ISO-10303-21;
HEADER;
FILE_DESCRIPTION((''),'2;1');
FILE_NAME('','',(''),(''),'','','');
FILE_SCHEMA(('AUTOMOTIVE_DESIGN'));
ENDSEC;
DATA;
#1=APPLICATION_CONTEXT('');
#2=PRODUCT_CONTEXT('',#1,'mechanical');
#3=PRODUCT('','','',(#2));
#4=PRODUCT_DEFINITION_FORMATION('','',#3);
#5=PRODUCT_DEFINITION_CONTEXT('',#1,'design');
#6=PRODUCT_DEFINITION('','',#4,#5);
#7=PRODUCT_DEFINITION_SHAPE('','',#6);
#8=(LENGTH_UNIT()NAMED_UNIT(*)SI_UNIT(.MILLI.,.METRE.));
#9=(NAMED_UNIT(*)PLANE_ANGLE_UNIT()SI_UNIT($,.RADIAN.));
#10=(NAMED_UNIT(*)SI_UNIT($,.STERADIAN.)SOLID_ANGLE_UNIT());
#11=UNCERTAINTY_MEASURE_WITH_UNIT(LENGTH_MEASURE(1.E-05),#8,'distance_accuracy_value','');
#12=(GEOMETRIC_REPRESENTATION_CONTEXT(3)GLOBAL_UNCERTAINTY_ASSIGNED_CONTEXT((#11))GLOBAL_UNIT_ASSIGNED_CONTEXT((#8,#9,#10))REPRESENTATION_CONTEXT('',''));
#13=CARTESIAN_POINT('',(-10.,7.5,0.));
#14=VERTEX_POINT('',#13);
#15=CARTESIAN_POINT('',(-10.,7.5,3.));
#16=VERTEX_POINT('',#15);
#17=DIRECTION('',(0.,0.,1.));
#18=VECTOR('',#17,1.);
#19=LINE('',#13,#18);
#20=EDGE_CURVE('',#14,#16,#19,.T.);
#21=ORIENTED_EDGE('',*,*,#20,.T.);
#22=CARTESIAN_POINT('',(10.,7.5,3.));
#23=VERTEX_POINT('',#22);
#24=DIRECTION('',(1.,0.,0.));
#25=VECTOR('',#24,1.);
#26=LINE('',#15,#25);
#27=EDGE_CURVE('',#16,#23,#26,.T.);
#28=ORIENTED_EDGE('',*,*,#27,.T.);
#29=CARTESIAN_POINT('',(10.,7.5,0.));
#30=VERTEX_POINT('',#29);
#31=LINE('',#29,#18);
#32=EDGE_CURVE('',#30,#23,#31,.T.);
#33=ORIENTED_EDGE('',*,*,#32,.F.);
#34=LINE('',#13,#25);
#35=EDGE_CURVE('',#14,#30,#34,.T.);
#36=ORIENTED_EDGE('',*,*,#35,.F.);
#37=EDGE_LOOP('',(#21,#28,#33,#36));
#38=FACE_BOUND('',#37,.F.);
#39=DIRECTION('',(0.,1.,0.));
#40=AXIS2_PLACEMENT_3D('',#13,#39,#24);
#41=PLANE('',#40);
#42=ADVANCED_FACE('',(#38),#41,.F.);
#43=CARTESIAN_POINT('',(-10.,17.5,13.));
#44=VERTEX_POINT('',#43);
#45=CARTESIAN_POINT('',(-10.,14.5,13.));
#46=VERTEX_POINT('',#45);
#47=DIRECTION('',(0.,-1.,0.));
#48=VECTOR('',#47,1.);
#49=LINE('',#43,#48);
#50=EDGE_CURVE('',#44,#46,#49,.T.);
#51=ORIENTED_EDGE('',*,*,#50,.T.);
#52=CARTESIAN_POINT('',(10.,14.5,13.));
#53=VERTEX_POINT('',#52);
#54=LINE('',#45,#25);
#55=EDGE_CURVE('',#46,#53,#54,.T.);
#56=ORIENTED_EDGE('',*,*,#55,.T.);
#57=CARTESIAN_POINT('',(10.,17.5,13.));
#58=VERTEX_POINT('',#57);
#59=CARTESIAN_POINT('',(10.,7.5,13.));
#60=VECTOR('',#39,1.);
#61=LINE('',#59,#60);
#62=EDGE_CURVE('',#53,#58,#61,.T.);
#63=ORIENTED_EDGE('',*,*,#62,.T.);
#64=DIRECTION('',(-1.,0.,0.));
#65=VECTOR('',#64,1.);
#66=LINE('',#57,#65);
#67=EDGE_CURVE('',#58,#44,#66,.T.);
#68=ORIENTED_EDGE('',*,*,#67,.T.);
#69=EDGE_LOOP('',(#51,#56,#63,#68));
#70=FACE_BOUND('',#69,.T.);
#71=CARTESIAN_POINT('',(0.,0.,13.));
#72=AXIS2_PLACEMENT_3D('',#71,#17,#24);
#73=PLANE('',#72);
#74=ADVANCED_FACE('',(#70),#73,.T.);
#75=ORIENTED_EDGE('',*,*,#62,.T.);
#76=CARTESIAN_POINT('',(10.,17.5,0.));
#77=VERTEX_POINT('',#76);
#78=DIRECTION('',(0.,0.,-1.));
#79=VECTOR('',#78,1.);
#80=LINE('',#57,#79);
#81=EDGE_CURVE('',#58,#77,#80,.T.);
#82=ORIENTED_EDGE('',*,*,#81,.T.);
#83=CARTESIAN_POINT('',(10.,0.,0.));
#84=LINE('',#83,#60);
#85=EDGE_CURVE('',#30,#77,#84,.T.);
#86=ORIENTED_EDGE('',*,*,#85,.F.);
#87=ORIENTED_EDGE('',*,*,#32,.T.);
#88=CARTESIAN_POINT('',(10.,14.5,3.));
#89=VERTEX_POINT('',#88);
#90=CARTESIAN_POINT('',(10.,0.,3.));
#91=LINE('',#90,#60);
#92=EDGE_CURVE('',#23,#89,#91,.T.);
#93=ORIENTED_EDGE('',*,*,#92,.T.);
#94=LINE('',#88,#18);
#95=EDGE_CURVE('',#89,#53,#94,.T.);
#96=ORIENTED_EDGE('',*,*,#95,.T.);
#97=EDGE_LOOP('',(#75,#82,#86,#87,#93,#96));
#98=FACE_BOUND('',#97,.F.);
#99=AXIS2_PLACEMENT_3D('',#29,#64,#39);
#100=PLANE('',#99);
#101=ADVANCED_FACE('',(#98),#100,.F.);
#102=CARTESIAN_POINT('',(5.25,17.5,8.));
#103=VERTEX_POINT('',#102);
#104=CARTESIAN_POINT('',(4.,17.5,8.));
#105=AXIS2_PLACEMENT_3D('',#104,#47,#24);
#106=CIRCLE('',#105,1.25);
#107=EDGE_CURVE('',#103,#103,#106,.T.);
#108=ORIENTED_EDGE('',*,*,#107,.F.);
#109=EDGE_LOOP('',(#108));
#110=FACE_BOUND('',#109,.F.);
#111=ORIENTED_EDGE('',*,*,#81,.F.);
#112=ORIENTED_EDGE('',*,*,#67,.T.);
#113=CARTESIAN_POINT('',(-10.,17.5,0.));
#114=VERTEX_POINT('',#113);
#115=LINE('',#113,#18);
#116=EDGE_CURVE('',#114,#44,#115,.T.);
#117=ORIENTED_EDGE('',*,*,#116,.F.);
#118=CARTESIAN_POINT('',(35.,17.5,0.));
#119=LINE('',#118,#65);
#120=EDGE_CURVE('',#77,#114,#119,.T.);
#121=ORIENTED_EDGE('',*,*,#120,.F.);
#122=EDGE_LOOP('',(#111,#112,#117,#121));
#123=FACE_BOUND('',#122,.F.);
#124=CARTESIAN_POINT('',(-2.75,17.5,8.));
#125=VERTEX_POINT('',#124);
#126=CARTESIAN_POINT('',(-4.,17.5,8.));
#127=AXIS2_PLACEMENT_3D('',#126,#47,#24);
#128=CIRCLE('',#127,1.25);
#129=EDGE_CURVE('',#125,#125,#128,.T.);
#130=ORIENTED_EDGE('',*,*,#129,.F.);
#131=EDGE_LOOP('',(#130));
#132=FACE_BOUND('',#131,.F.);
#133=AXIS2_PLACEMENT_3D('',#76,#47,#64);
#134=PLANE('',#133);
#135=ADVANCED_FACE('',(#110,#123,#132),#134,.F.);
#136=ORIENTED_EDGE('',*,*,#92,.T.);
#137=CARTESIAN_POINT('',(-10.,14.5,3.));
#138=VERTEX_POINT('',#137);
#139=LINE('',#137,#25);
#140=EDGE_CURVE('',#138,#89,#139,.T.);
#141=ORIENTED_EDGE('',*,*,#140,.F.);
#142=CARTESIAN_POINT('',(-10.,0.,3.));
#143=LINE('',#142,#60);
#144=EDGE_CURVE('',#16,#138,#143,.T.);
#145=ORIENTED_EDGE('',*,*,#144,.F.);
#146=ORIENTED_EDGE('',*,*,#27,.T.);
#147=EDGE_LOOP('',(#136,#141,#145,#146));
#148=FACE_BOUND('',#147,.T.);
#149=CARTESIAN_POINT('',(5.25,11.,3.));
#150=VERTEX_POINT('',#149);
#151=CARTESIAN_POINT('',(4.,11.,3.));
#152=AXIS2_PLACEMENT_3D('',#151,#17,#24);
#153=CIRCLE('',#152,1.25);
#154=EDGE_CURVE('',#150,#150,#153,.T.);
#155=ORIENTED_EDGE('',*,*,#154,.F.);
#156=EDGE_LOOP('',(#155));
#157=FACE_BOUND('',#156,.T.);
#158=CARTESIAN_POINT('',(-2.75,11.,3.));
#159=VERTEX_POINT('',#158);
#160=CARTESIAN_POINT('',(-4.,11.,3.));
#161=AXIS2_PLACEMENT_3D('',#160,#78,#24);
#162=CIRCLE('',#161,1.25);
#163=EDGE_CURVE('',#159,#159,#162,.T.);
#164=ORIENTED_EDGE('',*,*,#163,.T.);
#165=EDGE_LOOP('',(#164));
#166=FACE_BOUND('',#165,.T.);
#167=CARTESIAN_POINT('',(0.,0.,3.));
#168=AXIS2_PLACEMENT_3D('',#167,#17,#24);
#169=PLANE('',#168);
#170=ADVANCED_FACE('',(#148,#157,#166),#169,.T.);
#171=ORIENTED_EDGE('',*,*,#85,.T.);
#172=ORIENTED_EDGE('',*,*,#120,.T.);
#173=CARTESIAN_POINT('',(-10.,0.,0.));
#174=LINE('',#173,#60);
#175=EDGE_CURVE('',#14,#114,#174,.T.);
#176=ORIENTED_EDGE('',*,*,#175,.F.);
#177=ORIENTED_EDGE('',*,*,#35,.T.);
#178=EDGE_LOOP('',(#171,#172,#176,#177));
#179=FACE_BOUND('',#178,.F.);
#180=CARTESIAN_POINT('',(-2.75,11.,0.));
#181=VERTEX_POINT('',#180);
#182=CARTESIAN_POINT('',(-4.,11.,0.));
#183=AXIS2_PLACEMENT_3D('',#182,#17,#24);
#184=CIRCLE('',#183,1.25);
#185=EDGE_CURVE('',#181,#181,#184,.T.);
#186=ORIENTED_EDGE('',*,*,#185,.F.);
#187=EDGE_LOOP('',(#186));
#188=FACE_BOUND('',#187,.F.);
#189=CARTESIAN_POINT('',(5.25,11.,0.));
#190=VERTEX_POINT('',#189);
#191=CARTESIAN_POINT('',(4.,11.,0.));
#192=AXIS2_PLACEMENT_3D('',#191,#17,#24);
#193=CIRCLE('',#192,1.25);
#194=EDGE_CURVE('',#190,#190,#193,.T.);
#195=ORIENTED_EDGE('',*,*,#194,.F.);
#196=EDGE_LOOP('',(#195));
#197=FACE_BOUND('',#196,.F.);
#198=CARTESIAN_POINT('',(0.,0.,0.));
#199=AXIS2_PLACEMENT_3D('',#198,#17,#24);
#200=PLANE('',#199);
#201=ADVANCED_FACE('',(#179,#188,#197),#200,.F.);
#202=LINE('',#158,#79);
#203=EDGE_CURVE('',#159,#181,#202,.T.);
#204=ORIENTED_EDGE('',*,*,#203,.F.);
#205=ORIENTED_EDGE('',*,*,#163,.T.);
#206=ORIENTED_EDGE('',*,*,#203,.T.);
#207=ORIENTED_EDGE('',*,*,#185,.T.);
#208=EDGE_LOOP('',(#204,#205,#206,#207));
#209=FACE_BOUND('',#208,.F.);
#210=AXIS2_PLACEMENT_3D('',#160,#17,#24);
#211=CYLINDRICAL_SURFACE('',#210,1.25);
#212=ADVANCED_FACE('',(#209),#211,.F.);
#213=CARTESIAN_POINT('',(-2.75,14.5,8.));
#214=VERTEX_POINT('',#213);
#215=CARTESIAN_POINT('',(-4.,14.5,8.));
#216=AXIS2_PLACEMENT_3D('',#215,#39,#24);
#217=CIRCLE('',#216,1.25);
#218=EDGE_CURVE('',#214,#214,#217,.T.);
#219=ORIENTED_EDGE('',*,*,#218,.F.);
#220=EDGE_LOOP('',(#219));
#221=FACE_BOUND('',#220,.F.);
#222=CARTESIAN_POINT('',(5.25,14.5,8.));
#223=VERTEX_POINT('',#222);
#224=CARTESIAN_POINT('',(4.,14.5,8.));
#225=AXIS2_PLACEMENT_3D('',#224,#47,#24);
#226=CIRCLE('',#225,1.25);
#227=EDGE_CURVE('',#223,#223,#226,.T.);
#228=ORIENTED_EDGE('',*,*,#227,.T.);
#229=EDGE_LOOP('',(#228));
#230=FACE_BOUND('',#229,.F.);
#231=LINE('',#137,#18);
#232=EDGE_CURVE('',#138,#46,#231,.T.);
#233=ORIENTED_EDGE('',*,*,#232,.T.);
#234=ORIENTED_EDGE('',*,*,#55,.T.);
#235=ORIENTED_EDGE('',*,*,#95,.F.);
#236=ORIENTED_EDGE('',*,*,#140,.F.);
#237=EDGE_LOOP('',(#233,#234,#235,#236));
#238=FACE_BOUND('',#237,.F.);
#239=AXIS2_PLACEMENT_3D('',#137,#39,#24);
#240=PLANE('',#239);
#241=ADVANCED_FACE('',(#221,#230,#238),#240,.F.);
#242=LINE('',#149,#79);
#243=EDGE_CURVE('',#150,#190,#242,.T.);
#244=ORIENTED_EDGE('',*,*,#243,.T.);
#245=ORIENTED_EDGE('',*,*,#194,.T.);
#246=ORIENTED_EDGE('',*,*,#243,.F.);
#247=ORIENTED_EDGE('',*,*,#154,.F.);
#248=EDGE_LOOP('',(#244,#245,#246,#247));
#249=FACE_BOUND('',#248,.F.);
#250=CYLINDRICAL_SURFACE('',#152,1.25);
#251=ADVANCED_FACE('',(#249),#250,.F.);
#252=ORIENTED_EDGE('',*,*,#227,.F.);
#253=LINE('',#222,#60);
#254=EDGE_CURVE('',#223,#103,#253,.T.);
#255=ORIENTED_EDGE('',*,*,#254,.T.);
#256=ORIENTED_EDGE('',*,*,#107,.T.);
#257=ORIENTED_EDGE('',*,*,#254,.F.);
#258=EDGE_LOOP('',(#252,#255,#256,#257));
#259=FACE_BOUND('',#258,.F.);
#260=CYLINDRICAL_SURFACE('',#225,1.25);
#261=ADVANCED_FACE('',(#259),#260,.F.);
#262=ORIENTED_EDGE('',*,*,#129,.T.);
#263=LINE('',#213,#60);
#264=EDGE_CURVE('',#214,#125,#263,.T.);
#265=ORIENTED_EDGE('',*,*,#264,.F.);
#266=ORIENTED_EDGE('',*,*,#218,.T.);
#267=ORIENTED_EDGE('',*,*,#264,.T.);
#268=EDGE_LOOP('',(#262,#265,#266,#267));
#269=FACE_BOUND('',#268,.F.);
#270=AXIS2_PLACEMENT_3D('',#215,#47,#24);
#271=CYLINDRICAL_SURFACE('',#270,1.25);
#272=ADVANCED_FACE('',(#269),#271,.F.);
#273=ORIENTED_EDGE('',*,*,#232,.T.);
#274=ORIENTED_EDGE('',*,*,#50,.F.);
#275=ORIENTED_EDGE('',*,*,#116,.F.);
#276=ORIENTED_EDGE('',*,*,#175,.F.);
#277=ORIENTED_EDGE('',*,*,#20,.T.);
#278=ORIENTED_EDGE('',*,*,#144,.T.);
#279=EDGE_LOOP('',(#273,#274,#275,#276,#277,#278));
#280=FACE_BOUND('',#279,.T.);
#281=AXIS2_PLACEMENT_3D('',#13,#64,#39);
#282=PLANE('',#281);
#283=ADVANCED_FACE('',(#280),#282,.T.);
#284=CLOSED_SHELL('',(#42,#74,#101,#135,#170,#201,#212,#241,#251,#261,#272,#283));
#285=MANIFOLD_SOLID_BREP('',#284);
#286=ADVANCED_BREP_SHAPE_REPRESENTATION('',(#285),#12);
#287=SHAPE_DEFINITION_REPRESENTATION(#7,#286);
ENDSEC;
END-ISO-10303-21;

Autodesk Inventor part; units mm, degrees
ref_plane "YZ Plane" through (0, 0, 0) normal (1, 0, 0) x (0, 1, 0)
ref_plane "XZ Plane" through (0, 0, 0) normal (0, 1, 0) x (-1, 0, 0)
ref_plane "XY Plane" through (0, 0, 0) normal (0, 0, 1) x (1, 0, 0)
ref_plane "작업 평면1" through (0, 0, 0) normal (0, 0, 1) x (1, 0, 0)
sketch "스케치1" plane through (0, 0, 0) normal (0, 0, 1) x (1, 0, 0)
  line L0 (-35, -17.5) -> (35, -17.5) projected
  line L1 (35, -17.5) -> (35, 17.5) projected
  line L2 (35, 17.5) -> (-35, 17.5) projected
  line L3 (-35, 17.5) -> (-35, -17.5) projected
  line L4 (35, -17.5) -> (-35, -17.5) projected
  line L5 (-35, -17.5) -> (-35, -23.5) projected
  line L6 (35, -23.5) -> (-35, -23.5) projected
  line L7 (35, -17.5) -> (35, -23.5) projected
  line L8 (35, 0) -> (10, 0)
  line L9 (-35, 0) -> (-10, 0)
  line L10 (10, 0) -> (-10, 0)
  line L11 (10, 0) -> (10, 17.5)
  line L12 (-10, 0) -> (-10, 17.5)
  line L13 (10, 17.5) -> (-10, 17.5)
  line L14 (-10, 17.5) -> (-10, 7.5)
  line L15 (-10, 7.5) -> (10, 7.5)
  line L16 (10, 7.5) -> (10, 17.5)
  point P0 (0, 0)
  dimension "d0" = 25
  dimension "d1" = 25
  dimension "d2" = 20
  dimension "d3" = 10
extrude "돌출1" add sketch "스케치1" along normal blind 3 contours L2 L11 L15 L12
sketch "스케치2" plane through (0, 0, 3) normal (0, 0, 1) x (1, 0, 0)
  line L0 (10, 7.5) -> (10, 17.5) projected
  line L1 (10, 17.5) -> (-10, 17.5) projected
  line L2 (-10, 17.5) -> (-10, 7.5) projected
  line L3 (-10, 7.5) -> (10, 7.5) projected
  line L4 (10, 17.5) -> (-10, 17.5)
  line L5 (-10, 17.5) -> (-10, 14.5)
  line L6 (-10, 14.5) -> (10, 14.5)
  line L7 (10, 14.5) -> (10, 17.5)
  point P0 (0, 0)
  point P1 (10, 14.5)
  dimension "d6" = 3
extrude "돌출2" add sketch "스케치2" along normal blind 10 contours L6 L2 L1 L0
sketch "스케치3" plane through (0, 0, 3) normal (0, 0, 1) x (1, 0, 0)
  line L0 (10, 14.5) -> (-10, 14.5) projected
  line L1 (-10, 14.5) -> (-10, 7.5) projected
  line L2 (-10, 7.5) -> (10, 7.5) projected
  line L3 (10, 7.5) -> (10, 14.5) projected
  line L4 (10, 11) -> (4, 11)
  line L5 (-10, 11) -> (-4, 11)
  circle A0 centre (4, 11) radius 1.25
  circle A1 centre (-4, 11) radius 1.25
  point P0 (0, 0)
  dimension "d9" = 6
  dimension "d10" = 6
  dimension "d11" = 2.5
  dimension "d12" = 2.5
extrude "돌출3" cut sketch "스케치3" against normal blind 10 contours A1 | A0
sketch "스케치4" plane through (-10, 14.5, 3) normal (0, -1, 0) x (1, 0, 0)
  line L0 (20, 0) -> (0, 0) projected
  line L1 (20, 0) -> (20, 10) projected
  line L2 (0, 10) -> (20, 10) projected
  line L3 (0, 0) -> (0, 10) projected
  line L4 (20, 5) -> (14, 5)
  line L5 (0, 5) -> (6, 5)
  circle A0 centre (14, 5) radius 1.25
  circle A1 centre (6, 5) radius 1.25
  point P0 (10, -3)
  dimension "d15" = 6
  dimension "d16" = 6
  dimension "d17" = 2.5
  dimension "d18" = 2.5
extrude "돌출4" cut sketch "스케치4" against normal blind 10 contours A0 | A1
properties part number "63" material "LCP 플라스틱"
